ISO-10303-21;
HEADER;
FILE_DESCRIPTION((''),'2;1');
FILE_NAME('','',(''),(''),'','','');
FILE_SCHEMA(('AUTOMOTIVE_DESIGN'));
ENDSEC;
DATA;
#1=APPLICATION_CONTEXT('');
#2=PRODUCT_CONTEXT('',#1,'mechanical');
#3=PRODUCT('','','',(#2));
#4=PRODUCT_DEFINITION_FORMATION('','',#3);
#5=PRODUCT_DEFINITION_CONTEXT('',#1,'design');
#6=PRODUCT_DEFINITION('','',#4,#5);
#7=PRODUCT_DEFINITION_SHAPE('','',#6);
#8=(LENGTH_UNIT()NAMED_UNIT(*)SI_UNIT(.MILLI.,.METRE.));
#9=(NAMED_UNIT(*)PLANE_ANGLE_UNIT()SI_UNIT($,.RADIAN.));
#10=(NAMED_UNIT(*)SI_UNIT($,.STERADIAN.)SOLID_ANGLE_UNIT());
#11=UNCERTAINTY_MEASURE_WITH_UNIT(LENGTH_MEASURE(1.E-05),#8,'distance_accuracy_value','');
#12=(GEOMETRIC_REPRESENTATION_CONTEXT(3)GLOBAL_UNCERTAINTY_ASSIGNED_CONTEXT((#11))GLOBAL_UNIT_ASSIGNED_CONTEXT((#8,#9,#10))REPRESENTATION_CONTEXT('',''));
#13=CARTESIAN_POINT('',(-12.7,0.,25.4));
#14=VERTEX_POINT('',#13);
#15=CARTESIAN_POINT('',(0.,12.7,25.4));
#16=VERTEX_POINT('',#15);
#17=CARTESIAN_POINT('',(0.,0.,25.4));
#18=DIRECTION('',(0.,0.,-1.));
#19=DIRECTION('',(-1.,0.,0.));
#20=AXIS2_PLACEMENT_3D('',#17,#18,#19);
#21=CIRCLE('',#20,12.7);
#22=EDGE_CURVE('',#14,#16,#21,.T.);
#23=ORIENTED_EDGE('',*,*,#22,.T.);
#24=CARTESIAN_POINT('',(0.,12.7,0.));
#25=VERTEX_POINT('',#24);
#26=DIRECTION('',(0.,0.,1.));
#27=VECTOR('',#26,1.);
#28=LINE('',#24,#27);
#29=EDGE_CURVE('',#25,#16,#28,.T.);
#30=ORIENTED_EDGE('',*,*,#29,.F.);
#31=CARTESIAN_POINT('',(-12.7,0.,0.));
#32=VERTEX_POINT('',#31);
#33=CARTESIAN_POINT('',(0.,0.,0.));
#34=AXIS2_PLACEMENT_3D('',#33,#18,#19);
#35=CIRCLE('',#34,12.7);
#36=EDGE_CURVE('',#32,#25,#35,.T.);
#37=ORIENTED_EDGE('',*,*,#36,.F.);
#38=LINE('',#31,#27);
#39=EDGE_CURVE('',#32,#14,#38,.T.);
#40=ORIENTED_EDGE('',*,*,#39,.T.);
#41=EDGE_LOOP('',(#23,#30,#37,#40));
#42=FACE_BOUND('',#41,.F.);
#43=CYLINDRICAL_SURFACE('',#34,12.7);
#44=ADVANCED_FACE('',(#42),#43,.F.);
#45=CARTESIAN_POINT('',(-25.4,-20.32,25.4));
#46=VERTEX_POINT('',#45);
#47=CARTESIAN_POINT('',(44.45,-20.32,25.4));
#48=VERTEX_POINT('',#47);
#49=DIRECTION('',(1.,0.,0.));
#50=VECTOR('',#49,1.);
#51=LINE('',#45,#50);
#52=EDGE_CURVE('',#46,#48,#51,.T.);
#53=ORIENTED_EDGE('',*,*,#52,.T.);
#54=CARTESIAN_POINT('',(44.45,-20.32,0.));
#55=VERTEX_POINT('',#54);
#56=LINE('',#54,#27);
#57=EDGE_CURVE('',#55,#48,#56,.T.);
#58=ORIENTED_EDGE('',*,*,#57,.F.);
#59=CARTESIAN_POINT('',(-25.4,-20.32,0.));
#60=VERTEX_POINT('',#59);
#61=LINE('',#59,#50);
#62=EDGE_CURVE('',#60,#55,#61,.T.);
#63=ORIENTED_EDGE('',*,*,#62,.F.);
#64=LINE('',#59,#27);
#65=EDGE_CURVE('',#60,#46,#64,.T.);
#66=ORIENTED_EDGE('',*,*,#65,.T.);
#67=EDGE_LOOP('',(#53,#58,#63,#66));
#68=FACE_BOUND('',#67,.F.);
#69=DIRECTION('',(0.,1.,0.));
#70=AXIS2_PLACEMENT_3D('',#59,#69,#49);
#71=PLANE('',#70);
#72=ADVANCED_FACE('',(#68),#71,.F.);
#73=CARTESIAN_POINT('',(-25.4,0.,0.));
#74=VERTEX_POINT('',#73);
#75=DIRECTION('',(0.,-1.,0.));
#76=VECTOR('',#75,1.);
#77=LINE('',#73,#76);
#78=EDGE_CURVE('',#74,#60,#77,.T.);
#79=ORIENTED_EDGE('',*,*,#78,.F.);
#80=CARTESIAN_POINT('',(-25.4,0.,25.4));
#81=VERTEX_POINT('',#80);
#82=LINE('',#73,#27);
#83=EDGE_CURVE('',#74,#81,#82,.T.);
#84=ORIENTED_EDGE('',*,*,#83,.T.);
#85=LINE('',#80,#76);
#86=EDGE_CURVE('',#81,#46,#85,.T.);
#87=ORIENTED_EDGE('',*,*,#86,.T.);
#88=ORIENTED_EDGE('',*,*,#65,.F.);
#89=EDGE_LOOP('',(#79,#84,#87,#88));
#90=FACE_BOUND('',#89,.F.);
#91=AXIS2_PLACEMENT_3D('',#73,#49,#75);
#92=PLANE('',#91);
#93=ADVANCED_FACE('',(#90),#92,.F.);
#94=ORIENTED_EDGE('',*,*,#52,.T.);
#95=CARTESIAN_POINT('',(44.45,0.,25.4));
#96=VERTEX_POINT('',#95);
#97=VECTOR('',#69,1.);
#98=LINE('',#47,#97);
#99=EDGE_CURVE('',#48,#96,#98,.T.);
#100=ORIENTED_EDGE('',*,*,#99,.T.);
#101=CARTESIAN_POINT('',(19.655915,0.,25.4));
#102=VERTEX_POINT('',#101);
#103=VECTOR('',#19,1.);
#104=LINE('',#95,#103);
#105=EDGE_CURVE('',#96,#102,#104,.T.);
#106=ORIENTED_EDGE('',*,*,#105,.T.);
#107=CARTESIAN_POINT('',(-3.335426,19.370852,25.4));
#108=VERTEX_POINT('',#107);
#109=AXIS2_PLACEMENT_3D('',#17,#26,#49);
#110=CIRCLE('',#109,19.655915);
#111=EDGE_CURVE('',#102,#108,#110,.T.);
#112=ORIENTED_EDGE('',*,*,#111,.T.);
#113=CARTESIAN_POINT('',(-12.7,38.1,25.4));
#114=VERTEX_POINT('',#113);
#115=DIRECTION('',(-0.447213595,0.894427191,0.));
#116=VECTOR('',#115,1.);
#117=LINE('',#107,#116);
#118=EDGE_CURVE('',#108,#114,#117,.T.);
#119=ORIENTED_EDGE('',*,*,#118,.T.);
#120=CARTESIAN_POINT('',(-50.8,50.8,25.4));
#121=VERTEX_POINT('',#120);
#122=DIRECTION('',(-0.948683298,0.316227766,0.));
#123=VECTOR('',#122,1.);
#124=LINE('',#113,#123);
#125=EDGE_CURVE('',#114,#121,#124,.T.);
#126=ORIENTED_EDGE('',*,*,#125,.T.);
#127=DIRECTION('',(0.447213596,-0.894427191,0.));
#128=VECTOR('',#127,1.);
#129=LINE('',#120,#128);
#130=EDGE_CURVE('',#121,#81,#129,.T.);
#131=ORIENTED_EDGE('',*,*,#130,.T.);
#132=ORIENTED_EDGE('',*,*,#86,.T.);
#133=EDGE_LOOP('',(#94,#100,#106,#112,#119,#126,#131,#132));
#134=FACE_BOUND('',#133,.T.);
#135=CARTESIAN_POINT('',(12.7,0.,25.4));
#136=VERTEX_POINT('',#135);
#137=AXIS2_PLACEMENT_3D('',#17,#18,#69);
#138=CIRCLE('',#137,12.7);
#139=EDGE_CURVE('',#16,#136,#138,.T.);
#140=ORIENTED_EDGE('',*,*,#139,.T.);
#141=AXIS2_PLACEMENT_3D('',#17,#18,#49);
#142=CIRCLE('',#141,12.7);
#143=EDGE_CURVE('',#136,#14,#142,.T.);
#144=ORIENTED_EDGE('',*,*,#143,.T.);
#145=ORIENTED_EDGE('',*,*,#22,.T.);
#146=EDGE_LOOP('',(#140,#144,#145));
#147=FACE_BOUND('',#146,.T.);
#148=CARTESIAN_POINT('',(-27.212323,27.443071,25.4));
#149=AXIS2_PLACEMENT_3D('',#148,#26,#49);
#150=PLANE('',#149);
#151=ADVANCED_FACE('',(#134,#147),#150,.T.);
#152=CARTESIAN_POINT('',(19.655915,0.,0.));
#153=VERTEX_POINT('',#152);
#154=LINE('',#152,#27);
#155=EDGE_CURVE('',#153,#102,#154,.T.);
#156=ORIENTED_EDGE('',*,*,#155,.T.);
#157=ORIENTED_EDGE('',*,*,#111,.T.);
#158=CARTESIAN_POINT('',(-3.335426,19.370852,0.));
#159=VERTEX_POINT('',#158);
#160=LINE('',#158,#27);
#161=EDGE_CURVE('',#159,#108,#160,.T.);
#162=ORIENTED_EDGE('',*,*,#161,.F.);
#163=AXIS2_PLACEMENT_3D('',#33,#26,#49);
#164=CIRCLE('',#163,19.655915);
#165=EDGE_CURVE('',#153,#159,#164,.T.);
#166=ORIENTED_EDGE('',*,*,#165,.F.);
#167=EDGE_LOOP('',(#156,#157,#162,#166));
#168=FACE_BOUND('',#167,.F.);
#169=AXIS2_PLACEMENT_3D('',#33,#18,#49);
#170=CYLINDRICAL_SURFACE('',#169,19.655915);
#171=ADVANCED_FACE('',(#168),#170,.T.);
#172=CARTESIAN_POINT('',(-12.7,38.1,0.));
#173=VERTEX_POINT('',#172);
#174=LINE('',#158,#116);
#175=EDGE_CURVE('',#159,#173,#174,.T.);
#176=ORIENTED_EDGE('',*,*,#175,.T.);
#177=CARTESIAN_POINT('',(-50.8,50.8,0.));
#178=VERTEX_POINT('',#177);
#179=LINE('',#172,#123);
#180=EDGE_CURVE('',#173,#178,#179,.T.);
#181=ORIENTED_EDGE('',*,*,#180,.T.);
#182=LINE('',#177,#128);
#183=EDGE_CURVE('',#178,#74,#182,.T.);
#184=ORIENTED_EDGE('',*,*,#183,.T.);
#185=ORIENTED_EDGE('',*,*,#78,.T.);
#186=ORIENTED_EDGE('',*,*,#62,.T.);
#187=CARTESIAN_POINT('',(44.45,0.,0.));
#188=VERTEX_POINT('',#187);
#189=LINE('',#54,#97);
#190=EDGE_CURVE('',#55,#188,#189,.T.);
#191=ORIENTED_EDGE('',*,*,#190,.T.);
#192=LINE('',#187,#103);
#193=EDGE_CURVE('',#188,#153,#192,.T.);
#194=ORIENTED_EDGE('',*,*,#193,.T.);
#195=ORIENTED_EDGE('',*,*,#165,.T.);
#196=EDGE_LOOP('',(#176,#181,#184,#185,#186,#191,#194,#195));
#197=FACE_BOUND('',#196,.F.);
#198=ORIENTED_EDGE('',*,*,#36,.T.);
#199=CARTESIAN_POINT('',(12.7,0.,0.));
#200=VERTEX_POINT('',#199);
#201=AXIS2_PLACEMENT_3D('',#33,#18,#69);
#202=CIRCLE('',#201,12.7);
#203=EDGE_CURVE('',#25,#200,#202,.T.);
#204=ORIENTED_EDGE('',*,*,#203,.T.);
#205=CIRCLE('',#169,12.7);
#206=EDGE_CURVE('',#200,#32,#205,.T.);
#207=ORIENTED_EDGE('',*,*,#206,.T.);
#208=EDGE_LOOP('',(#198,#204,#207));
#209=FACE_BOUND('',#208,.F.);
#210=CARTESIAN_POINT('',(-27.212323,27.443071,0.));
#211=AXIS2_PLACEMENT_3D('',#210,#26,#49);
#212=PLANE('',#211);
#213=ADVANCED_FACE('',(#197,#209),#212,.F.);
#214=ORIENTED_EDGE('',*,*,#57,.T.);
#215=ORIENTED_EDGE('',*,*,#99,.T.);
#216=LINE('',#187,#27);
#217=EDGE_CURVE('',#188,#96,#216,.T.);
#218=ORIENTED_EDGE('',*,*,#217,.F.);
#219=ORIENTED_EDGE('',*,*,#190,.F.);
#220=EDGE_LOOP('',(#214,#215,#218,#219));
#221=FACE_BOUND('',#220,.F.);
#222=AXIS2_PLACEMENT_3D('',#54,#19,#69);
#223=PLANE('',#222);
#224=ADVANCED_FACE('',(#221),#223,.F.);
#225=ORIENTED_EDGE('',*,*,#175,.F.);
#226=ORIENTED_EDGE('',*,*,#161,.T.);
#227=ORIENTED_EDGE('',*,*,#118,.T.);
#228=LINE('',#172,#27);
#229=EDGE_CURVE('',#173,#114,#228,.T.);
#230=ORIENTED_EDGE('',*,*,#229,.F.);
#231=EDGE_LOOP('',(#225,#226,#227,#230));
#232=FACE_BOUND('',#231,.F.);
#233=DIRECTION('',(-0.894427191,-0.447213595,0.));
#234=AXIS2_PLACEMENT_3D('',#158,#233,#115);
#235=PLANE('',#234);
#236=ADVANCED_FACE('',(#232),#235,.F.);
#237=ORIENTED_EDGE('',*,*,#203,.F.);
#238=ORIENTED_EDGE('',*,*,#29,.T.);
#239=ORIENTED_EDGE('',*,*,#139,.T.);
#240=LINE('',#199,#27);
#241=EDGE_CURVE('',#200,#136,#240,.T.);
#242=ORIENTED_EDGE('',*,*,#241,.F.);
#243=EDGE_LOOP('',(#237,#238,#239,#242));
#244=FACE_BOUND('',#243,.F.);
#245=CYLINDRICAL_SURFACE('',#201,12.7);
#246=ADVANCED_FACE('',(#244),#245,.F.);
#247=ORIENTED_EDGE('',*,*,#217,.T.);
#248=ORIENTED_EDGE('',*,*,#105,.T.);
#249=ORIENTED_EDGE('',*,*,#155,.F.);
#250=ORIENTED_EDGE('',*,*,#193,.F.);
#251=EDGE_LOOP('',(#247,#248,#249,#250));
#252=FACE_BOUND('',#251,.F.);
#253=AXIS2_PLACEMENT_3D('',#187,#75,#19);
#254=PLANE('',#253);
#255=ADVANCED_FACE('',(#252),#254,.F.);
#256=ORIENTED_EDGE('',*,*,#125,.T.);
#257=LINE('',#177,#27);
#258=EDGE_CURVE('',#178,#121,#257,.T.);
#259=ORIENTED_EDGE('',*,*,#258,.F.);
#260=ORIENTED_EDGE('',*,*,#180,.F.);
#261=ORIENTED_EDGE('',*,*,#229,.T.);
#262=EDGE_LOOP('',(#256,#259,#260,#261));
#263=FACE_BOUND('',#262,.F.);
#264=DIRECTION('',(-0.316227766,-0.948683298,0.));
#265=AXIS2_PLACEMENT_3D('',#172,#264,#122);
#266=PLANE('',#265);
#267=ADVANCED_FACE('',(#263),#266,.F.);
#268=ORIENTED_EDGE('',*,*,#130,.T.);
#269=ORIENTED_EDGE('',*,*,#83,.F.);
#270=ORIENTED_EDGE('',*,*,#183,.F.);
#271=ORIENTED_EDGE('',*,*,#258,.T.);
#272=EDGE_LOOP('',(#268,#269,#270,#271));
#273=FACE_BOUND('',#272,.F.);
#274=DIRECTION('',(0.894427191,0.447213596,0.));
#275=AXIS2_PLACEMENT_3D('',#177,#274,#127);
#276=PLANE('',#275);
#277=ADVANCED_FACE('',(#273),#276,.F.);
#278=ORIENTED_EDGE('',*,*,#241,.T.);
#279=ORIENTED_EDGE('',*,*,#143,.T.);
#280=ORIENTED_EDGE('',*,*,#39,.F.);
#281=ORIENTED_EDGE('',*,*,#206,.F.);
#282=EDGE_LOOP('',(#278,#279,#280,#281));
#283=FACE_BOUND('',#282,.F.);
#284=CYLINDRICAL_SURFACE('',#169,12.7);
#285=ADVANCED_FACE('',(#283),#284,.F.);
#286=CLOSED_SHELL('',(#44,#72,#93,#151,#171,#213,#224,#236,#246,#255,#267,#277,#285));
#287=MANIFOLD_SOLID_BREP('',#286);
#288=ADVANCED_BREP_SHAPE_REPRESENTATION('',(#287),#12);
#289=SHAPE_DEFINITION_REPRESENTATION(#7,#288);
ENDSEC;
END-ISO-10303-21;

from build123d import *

# Parameters (mm, degrees)
F1_DEPTH = 25.4


with BuildPart() as f1:
    # F0 (on Top) → F1 (new body)
    with BuildSketch(Plane.XY):
        with BuildLine():
            ThreePointArc((-19.6559147335, 0), (-15.0318966776, 12.6647963381), (-3.3354261213, 19.3708522425))
            Line((-3.3354261213, 19.3708522425), (-12.7, 38.1))
            Line((-12.7, 38.1), (-50.8, 50.8))
            Line((-50.8, 50.8), (-38.1, 25.4))
            Line((-38.1, 25.4), (-25.4, 0))
            Line((-25.4, 0), (-19.6559147335, 0))
        make_face()
        with BuildLine():
            ThreePointArc((-12.7, 0), (-8.9802561211, 8.9802561211), (0, 12.7))
            Line((0, 12.7), (-3.3354261213, 19.3708522425))
            ThreePointArc((-3.3354261213, 19.3708522425), (-15.0318966776, 12.6647963381), (-19.6559147335, 0))
            Line((-19.6559147335, 0), (-12.7, 0))
        make_face()
        with BuildLine():
            ThreePointArc((0, 12.7), (8.9802561211, 8.9802561211), (12.7, 0))
            Line((12.7, 0), (19.6559147335, 0))
            ThreePointArc((19.6559147335, 0), (12.6647963381, 15.0318966776), (-3.3354261213, 19.3708522425))
            Line((-3.3354261213, 19.3708522425), (0, 12.7))
        make_face()
        with BuildLine():
            Line((19.6559147335, 0), (12.7, 0))
            ThreePointArc((12.7, 0), (0, -12.7), (-12.7, 0))
            Line((-12.7, 0), (-19.6559147335, 0))
            ThreePointArc((-19.6559147335, 0), (0, -19.6559147335), (19.6559147335, 0))
        make_face()
        with BuildLine():
            Line((44.45, 0), (19.6559147335, 0))
            ThreePointArc((19.6559147335, 0), (0, -19.6559147335), (-19.6559147335, 0))
            Line((-19.6559147335, 0), (-25.4, 0))
            Line((-25.4, 0), (-25.4, -20.32))
            Line((-25.4, -20.32), (44.45, -20.32))
            Line((44.45, -20.32), (44.45, 0))
        make_face()
    extrude(amount=F1_DEPTH)


solid = f1.part
